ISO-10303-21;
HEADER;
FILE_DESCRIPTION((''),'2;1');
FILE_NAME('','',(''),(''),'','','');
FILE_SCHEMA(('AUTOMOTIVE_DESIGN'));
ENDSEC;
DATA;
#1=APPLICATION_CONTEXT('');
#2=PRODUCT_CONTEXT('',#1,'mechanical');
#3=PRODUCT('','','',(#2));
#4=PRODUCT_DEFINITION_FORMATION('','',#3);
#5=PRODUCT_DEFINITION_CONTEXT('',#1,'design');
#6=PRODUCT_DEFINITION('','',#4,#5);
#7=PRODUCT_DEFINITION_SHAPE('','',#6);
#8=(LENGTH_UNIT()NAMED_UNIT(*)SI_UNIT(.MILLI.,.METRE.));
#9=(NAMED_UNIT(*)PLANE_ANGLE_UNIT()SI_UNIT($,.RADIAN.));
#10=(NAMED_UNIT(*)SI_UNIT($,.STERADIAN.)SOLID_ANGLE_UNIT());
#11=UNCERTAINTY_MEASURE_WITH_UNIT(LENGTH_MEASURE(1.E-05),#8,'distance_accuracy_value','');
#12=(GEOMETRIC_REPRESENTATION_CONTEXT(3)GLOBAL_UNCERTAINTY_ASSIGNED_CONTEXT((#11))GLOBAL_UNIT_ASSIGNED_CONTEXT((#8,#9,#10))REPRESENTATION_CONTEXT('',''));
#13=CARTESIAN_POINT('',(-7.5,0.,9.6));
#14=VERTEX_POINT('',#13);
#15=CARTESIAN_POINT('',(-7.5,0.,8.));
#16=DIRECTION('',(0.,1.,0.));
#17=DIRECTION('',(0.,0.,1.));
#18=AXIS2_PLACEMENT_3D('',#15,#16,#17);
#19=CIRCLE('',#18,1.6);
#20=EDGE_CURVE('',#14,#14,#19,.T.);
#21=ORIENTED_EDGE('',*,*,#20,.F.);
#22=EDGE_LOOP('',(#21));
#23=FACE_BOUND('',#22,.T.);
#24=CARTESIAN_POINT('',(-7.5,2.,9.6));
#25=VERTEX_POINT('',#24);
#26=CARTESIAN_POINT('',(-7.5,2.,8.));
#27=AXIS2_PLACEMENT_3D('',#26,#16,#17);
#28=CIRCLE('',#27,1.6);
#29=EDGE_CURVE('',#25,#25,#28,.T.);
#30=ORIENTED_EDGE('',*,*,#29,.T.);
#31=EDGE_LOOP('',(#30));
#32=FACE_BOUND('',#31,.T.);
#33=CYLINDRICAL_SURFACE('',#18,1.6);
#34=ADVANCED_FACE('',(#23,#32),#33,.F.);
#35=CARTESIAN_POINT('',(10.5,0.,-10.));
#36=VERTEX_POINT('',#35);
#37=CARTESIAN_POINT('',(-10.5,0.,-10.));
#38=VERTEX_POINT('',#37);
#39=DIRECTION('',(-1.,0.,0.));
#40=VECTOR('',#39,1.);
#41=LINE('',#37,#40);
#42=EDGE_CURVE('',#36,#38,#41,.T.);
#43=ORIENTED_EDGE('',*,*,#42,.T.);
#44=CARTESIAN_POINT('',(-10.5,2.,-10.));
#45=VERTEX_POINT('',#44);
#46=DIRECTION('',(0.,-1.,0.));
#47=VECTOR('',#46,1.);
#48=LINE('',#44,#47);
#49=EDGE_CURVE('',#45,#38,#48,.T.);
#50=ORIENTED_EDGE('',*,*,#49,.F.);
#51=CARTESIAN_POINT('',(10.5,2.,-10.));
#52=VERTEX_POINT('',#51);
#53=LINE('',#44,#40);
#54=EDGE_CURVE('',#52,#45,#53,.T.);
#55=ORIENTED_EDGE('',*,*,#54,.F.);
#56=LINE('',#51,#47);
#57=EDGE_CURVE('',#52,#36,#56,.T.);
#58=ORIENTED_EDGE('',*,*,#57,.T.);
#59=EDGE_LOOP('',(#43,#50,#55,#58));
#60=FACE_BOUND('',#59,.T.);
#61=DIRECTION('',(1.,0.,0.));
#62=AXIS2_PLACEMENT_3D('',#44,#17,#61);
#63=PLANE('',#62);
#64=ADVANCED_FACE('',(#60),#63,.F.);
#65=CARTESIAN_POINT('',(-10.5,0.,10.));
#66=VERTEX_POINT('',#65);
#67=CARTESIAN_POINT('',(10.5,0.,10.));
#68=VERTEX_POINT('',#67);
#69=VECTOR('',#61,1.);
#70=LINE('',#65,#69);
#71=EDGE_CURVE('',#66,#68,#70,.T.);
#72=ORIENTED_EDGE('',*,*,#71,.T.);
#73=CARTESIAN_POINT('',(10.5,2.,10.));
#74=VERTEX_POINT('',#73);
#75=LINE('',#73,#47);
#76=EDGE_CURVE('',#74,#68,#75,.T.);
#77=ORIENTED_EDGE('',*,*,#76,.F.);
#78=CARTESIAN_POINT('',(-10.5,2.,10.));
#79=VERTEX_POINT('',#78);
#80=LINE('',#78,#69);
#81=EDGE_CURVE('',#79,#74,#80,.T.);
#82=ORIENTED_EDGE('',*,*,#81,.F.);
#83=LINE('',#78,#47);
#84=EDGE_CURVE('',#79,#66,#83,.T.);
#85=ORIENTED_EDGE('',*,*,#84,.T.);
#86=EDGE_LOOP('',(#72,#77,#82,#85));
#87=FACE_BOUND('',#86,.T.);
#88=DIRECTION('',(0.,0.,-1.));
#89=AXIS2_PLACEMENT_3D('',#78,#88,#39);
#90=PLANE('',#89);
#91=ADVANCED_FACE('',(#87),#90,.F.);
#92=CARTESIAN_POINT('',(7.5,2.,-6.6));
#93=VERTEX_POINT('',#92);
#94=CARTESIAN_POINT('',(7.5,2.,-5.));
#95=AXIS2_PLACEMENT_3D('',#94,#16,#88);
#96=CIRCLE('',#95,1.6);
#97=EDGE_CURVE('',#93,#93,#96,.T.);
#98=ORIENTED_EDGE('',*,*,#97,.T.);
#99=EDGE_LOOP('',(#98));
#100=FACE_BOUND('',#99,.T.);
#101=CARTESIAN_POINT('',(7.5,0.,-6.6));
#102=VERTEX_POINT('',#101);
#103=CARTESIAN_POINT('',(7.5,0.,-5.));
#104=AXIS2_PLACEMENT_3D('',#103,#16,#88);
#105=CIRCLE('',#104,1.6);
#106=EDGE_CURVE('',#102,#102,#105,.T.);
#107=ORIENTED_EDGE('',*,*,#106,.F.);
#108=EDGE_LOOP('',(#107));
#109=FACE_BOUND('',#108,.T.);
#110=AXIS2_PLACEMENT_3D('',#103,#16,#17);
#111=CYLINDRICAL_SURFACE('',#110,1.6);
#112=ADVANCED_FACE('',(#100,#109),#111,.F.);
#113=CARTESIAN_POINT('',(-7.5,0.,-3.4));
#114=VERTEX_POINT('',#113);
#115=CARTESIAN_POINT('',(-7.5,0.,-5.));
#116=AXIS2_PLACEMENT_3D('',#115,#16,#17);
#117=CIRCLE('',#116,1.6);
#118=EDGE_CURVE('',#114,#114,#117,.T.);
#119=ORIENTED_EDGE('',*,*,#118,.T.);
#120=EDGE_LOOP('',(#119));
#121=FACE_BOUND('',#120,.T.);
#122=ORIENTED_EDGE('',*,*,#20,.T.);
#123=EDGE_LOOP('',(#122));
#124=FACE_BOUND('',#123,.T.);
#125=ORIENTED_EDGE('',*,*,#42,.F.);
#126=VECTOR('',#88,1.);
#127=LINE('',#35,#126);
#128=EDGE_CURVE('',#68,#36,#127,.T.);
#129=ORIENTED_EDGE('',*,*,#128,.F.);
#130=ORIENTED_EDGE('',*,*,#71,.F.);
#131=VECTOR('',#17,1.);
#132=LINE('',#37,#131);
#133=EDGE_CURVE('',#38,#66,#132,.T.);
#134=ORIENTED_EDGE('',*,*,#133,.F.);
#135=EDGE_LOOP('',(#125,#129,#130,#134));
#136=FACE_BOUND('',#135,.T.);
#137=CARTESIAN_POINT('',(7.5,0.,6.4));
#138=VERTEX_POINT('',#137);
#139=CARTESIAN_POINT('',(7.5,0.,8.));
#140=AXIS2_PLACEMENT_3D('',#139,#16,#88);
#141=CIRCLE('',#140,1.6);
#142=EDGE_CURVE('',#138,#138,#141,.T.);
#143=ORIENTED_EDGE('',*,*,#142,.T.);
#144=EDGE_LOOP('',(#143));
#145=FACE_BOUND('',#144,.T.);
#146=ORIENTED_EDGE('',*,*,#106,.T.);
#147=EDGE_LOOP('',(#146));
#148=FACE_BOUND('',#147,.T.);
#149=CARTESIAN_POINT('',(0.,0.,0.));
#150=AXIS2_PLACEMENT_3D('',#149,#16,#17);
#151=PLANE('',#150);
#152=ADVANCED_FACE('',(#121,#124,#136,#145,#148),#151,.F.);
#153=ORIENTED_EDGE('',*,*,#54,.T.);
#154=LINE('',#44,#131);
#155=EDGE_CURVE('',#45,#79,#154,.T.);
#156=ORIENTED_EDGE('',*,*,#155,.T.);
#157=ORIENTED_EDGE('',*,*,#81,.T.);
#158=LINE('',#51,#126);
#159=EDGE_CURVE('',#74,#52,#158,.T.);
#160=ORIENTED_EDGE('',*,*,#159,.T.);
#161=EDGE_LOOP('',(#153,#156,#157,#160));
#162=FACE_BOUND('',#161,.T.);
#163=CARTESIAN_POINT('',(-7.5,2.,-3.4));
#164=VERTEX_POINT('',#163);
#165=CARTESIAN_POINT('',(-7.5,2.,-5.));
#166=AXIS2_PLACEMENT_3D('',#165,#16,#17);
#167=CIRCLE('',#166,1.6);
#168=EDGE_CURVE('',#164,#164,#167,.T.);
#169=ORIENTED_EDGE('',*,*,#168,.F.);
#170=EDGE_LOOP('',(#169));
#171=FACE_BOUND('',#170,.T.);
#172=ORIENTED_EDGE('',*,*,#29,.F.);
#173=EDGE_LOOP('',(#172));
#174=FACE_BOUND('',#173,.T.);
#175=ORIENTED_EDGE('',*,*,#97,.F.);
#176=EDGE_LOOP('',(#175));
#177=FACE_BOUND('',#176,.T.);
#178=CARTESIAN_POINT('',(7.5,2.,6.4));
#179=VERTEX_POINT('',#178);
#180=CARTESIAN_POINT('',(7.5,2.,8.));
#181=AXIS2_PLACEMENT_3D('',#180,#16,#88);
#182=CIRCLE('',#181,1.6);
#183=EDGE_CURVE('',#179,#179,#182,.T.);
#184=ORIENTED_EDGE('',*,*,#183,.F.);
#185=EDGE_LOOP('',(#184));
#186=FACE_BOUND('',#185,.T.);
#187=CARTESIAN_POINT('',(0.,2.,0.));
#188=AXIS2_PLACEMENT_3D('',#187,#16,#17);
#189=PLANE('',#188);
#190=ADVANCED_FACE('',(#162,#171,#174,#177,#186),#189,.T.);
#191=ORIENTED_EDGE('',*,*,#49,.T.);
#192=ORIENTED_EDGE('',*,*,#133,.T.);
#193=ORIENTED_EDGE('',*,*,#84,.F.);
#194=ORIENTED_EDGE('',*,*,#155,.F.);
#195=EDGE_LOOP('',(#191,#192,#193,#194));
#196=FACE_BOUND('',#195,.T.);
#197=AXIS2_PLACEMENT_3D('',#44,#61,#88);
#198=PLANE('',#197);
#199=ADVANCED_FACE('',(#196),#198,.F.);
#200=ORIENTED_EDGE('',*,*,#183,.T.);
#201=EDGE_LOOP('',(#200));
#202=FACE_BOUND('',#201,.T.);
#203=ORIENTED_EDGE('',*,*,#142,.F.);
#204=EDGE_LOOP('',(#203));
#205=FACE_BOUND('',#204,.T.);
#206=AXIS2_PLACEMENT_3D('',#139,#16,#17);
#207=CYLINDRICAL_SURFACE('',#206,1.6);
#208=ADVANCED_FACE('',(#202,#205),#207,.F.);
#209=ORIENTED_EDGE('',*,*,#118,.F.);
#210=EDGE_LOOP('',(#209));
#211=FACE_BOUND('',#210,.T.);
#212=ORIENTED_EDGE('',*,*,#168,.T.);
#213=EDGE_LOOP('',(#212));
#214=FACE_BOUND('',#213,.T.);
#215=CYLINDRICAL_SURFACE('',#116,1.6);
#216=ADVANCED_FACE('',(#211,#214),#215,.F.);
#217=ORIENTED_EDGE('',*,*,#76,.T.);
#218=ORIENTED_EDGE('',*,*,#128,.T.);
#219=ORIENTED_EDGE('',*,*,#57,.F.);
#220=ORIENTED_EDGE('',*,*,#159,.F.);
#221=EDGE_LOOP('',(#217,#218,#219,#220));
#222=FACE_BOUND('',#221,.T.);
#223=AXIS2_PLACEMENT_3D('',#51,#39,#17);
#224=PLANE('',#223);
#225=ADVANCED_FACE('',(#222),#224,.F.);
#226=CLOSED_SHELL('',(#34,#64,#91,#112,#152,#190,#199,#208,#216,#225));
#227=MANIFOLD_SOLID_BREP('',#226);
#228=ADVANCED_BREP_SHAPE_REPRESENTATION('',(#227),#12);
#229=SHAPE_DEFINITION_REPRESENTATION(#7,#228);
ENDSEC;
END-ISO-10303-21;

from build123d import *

# Parameters (mm, degrees)
SKETCH_1_W          = 21
SKETCH_1_H          = 20
EXTRUDE_1_DEPTH     = 2
SKETCH_2_R          = 1.6
CUT_EXTRUDE_1_DEPTH = 2


with BuildPart() as part:
    # 草图1 → 凸台-拉伸1 (new body)
    with BuildSketch(Plane(origin=(0, 0, 0), x_dir=(1, 0, 0), z_dir=(0, 1, 0))):
        Rectangle(SKETCH_1_W, SKETCH_1_H)
    extrude(amount=EXTRUDE_1_DEPTH)

    # 草图2 → 切除-拉伸1 (cut)
    with BuildSketch(Plane(origin=(0, 2, 0), x_dir=(1, 0, 0), z_dir=(0, 1, 0))):
        with Locations(Location((-7.5, 5, 0), (0, 0, 270))):
            Circle(SKETCH_2_R)
        with Locations(Location((-7.5, -8, 0), (0, 0, 270))):
            Circle(SKETCH_2_R)
        with Locations(Location((7.5, -8, 0), (0, 0, 90))):
            Circle(SKETCH_2_R)
        with Locations(Location((7.5, 5, 0), (0, 0, 90))):
            Circle(SKETCH_2_R)
    extrude(amount=-CUT_EXTRUDE_1_DEPTH, mode=Mode.SUBTRACT)


solid = part.part
